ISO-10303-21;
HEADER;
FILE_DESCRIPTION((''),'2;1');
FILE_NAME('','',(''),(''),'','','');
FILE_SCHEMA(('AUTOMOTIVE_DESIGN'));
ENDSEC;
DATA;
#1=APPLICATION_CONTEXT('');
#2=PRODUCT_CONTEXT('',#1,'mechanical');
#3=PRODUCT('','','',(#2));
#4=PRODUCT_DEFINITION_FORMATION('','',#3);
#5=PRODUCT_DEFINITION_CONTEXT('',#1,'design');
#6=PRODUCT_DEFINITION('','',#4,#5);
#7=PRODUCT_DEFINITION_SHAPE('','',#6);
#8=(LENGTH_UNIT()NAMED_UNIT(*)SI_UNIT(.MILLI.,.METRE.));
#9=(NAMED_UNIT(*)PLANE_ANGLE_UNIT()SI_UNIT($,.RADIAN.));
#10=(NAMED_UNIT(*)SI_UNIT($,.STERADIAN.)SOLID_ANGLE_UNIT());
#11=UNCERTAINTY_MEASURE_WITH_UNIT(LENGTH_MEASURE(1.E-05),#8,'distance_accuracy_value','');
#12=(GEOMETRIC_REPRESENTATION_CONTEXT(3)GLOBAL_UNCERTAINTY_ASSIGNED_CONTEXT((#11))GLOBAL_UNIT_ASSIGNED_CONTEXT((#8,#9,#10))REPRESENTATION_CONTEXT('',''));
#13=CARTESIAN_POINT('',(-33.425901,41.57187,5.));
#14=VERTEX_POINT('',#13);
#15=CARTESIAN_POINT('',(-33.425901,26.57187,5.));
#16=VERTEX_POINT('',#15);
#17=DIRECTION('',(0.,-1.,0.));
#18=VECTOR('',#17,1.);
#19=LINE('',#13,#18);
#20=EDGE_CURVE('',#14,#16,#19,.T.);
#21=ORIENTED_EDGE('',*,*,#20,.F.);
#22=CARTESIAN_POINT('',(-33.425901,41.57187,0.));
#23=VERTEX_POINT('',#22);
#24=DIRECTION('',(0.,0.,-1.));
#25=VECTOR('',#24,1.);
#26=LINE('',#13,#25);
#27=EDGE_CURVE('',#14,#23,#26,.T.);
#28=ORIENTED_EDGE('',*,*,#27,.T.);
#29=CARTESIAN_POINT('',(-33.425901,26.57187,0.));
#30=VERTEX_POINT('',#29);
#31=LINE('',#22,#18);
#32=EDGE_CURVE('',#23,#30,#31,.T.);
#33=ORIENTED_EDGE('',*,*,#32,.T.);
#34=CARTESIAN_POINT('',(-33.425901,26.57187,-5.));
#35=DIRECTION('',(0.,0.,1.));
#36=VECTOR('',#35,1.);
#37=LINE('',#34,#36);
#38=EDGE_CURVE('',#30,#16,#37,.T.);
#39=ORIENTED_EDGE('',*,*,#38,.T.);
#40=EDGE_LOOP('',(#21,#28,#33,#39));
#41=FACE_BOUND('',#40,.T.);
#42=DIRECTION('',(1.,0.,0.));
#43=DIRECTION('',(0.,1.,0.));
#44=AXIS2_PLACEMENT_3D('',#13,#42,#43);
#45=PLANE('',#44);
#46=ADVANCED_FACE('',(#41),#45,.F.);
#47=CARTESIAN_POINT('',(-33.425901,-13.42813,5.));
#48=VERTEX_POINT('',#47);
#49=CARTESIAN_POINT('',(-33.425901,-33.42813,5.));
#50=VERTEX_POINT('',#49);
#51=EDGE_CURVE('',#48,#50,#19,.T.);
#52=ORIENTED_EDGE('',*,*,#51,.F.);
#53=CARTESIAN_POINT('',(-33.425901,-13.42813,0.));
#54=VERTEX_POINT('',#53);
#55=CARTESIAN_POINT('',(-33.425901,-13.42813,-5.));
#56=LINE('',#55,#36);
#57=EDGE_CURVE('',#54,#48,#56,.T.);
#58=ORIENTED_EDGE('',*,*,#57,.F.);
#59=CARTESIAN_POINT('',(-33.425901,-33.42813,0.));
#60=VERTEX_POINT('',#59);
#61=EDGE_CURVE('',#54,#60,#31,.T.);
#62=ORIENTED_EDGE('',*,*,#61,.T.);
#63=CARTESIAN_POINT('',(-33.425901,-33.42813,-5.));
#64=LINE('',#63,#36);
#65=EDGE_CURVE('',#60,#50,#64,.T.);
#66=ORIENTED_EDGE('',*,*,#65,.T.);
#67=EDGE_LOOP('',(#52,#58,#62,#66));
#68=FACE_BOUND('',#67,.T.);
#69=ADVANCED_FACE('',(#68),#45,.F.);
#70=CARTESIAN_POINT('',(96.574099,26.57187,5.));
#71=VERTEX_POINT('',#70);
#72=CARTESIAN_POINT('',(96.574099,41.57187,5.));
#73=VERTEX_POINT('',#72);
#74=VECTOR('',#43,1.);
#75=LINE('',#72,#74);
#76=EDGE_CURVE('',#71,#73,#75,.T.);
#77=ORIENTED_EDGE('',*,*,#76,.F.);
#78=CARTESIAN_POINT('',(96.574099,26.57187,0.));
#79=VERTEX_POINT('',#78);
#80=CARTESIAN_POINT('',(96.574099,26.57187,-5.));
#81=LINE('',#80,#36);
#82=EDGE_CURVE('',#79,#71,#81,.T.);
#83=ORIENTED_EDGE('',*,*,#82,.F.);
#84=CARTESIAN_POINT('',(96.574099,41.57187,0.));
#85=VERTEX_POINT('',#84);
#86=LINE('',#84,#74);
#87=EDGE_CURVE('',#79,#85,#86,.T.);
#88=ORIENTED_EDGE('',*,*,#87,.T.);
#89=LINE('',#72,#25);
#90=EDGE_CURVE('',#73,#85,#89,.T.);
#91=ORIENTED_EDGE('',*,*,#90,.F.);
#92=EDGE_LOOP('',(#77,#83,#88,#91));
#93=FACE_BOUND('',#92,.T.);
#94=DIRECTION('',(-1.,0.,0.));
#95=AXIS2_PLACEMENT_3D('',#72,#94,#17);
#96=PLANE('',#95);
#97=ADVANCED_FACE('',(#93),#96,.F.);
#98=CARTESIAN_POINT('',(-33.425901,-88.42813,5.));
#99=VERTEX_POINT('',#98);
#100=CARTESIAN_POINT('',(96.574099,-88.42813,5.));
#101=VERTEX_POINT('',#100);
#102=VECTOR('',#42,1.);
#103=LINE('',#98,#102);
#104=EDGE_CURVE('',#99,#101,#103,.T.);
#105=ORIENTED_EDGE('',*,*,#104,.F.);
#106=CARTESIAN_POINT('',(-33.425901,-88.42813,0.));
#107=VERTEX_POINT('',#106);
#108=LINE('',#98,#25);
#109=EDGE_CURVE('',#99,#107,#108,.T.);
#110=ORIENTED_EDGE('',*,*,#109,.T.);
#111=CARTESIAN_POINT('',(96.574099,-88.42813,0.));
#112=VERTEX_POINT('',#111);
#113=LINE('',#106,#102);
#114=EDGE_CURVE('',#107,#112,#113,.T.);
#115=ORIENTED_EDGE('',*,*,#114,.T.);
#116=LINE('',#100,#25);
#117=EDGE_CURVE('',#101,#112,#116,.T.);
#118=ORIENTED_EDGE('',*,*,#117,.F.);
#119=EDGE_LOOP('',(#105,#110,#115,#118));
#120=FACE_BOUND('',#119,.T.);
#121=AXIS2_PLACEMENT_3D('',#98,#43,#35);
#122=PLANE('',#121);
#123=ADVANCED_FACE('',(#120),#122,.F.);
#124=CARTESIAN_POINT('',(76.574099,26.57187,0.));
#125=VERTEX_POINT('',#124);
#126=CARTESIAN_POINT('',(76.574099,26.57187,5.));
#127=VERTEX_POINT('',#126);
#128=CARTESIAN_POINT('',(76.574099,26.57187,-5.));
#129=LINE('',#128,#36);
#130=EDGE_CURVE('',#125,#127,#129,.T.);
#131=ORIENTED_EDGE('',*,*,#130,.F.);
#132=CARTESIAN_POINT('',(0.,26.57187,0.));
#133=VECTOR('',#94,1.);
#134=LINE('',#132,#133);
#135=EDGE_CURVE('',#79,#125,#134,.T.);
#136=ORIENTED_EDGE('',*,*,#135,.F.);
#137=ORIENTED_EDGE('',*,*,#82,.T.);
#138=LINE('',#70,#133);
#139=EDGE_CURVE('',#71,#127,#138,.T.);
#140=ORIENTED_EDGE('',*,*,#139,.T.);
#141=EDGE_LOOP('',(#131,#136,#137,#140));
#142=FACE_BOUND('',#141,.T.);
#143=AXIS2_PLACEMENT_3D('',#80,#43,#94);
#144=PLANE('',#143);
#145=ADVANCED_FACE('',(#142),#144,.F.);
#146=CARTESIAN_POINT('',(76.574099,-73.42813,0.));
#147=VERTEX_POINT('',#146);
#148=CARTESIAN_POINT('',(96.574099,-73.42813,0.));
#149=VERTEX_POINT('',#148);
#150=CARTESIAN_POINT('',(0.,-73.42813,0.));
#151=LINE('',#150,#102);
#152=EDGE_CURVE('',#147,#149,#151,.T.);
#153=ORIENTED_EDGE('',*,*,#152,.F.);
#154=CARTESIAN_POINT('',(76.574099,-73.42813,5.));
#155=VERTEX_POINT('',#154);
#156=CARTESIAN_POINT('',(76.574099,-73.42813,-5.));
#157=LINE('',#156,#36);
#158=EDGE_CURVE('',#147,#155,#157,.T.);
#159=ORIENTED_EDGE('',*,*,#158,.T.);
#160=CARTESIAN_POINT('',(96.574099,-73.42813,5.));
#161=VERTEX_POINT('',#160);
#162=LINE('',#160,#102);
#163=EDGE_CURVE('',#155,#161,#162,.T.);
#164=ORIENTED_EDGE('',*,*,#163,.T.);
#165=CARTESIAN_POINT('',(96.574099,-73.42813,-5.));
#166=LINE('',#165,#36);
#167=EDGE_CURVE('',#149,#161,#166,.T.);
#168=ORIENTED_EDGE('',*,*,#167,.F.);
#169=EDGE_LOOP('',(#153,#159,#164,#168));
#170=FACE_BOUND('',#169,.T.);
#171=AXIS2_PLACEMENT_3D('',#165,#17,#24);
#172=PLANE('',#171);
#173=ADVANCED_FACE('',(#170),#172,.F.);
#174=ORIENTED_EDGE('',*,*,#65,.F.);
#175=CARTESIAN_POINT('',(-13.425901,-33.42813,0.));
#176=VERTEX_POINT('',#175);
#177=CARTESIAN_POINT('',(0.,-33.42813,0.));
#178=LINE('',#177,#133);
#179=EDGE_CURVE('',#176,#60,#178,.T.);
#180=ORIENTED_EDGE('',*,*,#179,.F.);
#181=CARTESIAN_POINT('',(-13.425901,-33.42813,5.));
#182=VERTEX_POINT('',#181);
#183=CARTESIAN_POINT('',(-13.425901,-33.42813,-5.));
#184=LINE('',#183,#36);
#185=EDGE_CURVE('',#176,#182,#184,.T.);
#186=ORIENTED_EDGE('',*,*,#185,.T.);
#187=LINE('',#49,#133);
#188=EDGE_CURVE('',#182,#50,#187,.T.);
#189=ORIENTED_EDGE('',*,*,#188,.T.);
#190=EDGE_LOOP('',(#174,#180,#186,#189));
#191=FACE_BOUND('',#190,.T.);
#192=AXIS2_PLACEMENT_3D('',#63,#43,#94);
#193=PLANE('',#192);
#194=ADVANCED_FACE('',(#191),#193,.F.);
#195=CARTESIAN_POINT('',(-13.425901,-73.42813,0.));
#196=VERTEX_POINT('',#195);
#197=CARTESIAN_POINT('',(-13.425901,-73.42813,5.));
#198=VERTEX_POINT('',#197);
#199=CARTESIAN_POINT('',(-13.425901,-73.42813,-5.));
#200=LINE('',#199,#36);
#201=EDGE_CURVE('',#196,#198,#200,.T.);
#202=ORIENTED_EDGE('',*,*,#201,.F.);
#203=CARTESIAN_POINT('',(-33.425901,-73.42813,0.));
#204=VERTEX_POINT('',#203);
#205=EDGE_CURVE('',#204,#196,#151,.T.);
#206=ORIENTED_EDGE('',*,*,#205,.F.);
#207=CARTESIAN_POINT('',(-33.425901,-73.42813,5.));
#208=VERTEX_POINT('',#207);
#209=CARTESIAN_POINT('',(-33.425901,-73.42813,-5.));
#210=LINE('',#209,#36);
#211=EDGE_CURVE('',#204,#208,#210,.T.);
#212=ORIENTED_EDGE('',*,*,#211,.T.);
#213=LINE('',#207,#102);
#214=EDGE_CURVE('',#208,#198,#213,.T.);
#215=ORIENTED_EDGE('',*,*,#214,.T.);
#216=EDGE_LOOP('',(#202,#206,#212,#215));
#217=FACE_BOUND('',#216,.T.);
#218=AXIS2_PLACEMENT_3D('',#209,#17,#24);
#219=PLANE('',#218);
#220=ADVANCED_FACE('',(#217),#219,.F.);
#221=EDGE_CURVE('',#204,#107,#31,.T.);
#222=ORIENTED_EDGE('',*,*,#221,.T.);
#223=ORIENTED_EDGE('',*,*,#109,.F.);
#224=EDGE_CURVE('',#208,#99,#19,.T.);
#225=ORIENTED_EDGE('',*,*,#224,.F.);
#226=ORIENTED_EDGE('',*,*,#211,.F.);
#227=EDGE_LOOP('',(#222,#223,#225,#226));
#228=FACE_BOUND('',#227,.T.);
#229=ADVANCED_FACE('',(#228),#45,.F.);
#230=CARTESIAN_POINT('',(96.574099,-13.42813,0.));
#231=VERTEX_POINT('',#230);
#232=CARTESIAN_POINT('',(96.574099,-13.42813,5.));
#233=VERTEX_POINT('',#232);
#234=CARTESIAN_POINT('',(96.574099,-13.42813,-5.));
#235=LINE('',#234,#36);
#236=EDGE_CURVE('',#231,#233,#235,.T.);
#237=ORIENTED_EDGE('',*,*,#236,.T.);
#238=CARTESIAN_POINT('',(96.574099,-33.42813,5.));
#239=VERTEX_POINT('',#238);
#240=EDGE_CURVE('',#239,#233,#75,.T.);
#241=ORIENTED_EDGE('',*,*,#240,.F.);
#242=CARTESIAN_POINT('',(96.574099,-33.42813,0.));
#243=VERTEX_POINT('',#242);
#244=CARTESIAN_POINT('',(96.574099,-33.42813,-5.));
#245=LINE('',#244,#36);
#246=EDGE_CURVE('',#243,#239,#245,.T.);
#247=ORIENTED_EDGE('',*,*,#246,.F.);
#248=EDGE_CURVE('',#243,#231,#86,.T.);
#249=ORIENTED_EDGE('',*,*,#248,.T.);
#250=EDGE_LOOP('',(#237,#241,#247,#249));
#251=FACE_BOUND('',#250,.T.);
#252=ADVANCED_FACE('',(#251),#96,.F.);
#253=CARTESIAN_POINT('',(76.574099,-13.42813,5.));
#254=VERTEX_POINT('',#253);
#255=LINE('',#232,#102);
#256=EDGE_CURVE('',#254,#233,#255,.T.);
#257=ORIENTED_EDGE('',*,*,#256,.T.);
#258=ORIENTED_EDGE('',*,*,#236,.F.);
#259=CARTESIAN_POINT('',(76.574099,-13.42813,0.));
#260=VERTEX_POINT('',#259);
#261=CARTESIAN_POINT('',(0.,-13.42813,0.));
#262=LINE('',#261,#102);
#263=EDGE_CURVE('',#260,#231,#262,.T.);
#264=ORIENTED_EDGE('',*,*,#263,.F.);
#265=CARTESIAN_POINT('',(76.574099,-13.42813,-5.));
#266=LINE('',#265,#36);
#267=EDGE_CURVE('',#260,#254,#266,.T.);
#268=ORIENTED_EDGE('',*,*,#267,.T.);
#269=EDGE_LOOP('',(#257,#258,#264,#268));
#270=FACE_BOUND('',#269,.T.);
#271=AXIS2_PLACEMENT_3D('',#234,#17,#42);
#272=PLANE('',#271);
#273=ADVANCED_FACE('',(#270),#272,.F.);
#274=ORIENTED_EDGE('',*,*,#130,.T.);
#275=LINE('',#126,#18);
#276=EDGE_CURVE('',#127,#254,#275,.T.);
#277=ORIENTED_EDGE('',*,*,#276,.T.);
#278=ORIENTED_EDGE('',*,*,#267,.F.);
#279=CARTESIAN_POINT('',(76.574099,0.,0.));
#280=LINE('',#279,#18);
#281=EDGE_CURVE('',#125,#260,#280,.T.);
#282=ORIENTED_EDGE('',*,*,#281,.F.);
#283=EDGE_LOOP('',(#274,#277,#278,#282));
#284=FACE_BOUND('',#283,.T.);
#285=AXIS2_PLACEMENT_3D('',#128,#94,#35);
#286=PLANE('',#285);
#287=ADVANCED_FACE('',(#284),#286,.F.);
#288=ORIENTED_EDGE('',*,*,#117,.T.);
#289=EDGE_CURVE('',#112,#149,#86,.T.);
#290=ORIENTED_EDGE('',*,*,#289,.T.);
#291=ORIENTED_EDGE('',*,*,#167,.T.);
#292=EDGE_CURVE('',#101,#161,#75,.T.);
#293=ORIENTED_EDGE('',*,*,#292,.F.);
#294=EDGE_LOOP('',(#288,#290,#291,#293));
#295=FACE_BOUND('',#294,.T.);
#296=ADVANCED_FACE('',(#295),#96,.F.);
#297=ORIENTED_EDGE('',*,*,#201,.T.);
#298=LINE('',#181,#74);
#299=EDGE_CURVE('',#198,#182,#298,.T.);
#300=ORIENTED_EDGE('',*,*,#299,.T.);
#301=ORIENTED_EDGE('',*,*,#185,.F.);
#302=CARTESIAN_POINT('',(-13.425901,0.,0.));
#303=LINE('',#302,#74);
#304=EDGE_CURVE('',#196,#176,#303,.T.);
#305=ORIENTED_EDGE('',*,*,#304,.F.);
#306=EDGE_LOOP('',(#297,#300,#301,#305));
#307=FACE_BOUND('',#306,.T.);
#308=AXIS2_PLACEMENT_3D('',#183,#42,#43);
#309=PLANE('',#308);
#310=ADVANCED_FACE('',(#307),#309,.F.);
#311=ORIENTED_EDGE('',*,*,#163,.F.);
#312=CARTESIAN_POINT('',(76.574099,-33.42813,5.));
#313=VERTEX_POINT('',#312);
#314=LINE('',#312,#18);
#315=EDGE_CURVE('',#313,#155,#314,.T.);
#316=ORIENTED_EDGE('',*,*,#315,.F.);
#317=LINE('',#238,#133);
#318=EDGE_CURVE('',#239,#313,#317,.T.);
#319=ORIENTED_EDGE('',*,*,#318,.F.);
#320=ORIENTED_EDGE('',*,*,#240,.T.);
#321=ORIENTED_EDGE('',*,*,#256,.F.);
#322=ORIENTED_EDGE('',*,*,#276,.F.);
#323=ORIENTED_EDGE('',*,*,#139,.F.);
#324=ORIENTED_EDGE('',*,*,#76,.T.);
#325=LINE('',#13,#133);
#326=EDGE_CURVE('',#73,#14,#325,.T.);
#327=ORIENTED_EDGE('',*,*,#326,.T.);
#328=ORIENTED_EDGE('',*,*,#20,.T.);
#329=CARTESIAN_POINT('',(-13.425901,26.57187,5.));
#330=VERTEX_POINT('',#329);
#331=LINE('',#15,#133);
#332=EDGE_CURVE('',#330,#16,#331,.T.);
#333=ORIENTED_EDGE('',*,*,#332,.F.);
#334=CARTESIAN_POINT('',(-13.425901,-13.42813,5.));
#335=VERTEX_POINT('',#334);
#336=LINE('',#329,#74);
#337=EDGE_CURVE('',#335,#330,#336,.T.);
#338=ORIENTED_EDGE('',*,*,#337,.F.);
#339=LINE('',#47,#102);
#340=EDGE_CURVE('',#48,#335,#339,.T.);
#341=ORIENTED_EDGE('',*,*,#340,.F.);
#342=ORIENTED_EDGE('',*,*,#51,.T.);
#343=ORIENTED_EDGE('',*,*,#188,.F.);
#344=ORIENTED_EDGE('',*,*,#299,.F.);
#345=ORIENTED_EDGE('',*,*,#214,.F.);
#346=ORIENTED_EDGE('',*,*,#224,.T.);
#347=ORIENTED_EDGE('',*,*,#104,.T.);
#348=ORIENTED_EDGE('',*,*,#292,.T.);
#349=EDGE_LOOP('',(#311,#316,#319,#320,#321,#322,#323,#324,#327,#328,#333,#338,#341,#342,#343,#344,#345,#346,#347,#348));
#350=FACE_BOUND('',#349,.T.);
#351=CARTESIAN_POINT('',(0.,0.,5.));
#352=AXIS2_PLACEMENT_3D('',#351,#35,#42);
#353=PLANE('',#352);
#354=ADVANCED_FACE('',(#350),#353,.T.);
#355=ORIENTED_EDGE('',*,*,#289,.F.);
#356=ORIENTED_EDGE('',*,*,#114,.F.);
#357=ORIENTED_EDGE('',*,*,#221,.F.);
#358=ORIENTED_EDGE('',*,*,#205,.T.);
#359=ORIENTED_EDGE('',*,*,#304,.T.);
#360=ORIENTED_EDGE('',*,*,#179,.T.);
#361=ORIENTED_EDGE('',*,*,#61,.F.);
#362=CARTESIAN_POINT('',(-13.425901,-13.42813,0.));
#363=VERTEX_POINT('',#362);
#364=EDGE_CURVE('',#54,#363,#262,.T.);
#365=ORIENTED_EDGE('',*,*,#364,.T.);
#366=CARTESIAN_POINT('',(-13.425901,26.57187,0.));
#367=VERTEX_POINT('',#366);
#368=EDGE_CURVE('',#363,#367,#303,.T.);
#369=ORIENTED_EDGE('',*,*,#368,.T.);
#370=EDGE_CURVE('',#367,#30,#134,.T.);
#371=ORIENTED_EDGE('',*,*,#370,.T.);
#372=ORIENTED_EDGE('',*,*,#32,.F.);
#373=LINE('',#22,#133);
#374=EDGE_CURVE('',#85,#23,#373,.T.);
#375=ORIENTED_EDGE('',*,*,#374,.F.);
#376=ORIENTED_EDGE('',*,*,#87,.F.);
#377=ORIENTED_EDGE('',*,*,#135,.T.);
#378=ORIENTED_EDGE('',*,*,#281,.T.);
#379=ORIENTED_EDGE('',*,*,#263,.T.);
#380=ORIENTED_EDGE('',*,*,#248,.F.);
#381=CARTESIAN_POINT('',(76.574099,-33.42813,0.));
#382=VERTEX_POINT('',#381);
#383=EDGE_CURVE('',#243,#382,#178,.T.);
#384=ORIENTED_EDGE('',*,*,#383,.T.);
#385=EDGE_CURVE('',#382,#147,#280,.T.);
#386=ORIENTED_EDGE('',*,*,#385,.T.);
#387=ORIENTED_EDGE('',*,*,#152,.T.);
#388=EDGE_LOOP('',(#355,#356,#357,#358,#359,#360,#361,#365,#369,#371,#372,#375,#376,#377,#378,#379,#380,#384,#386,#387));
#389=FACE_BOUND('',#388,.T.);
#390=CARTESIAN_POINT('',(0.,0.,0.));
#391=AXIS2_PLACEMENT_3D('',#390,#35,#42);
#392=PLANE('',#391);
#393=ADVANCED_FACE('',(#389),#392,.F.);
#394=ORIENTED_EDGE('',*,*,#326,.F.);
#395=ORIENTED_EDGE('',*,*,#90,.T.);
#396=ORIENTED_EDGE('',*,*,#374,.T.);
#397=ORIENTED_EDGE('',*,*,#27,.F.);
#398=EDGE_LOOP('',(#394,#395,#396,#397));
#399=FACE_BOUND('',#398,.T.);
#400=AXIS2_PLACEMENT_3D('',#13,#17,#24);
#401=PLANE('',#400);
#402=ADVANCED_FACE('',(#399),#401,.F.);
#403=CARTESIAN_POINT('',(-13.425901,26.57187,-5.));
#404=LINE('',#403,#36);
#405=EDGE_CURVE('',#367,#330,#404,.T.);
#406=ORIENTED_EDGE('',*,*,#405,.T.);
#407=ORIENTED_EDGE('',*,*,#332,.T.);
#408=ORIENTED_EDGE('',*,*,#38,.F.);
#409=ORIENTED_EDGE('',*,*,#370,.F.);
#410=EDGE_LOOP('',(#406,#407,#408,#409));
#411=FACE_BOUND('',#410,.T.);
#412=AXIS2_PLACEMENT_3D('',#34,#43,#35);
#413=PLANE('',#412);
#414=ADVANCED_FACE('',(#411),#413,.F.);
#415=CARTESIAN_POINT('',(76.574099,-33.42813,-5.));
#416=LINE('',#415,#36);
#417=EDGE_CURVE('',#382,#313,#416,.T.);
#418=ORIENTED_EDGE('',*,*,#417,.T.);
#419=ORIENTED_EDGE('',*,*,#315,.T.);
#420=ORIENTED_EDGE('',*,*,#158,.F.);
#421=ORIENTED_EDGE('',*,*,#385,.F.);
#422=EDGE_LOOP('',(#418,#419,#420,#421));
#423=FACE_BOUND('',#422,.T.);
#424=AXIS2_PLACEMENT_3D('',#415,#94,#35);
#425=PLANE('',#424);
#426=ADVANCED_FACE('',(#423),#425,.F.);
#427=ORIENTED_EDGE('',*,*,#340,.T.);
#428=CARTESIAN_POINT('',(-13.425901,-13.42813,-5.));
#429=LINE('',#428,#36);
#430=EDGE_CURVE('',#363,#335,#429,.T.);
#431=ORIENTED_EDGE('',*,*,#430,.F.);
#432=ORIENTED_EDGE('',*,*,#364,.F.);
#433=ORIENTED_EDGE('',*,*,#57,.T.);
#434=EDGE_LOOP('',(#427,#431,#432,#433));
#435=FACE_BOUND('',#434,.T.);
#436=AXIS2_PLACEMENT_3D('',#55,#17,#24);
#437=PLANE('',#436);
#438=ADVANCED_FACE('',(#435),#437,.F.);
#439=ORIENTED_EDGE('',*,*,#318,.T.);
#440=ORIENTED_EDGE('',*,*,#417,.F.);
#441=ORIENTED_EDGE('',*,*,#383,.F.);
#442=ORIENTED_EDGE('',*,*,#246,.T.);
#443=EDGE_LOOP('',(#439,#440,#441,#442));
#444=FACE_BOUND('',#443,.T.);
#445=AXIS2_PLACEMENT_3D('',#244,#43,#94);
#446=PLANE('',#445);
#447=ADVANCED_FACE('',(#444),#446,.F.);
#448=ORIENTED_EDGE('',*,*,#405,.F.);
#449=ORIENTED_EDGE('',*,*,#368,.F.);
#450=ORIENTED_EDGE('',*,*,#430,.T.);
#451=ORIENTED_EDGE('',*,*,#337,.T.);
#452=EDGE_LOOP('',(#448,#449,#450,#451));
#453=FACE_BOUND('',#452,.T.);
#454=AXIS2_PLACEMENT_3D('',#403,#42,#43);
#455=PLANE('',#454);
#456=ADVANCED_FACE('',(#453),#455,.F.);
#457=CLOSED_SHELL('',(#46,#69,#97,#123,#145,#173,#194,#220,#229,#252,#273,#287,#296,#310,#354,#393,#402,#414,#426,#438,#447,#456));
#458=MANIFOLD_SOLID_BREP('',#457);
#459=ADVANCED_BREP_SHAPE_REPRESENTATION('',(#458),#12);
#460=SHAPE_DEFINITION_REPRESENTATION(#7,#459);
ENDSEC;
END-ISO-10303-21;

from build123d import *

# Parameters (mm, degrees)
ESQUISSE1_W             = 130
ESQUISSE1_H             = 130
BOSS_EXTRU_1_DEPTH      = 5
ESQUISSE2_W             = 20
ESQUISSE2_H             = 40
ENL_V_MAT_EXTRU_1_DEPTH = 10
ESQUISSE3_W             = 20
ESQUISSE3_H             = 40
ENL_V_MAT_EXTRU_2_DEPTH = 10


with BuildPart() as part:
    # Esquisse1 → Boss.-Extru.1 (new body)
    with BuildSketch(Plane.XY):
        with Locations((31.574099396, -23.428129952)):
            Rectangle(ESQUISSE1_W, ESQUISSE1_H)
    extrude(amount=BOSS_EXTRU_1_DEPTH)

    # Esquisse2 → Enlèv. mat.-Extru.1 (cut)
    with BuildSketch(Plane.XY.offset(5)):
        with Locations((-23.425900604, 6.571870048)):
            Rectangle(ESQUISSE2_W, ESQUISSE2_H)
        with Locations((-23.425900604, -53.428129952)):
            Rectangle(ESQUISSE2_W, ESQUISSE2_H)
    extrude(amount=-ENL_V_MAT_EXTRU_1_DEPTH, mode=Mode.SUBTRACT)

    # Esquisse3 → Enlèv. mat.-Extru.2 (cut)
    with BuildSketch(Plane.XY.offset(5)):
        with Locations((86.574099396, 6.571870048)):
            Rectangle(ESQUISSE3_W, ESQUISSE3_H)
        with Locations((86.574099396, -53.428129952)):
            Rectangle(ESQUISSE3_W, ESQUISSE3_H)
    extrude(amount=-ENL_V_MAT_EXTRU_2_DEPTH, mode=Mode.SUBTRACT)


solid = part.part
